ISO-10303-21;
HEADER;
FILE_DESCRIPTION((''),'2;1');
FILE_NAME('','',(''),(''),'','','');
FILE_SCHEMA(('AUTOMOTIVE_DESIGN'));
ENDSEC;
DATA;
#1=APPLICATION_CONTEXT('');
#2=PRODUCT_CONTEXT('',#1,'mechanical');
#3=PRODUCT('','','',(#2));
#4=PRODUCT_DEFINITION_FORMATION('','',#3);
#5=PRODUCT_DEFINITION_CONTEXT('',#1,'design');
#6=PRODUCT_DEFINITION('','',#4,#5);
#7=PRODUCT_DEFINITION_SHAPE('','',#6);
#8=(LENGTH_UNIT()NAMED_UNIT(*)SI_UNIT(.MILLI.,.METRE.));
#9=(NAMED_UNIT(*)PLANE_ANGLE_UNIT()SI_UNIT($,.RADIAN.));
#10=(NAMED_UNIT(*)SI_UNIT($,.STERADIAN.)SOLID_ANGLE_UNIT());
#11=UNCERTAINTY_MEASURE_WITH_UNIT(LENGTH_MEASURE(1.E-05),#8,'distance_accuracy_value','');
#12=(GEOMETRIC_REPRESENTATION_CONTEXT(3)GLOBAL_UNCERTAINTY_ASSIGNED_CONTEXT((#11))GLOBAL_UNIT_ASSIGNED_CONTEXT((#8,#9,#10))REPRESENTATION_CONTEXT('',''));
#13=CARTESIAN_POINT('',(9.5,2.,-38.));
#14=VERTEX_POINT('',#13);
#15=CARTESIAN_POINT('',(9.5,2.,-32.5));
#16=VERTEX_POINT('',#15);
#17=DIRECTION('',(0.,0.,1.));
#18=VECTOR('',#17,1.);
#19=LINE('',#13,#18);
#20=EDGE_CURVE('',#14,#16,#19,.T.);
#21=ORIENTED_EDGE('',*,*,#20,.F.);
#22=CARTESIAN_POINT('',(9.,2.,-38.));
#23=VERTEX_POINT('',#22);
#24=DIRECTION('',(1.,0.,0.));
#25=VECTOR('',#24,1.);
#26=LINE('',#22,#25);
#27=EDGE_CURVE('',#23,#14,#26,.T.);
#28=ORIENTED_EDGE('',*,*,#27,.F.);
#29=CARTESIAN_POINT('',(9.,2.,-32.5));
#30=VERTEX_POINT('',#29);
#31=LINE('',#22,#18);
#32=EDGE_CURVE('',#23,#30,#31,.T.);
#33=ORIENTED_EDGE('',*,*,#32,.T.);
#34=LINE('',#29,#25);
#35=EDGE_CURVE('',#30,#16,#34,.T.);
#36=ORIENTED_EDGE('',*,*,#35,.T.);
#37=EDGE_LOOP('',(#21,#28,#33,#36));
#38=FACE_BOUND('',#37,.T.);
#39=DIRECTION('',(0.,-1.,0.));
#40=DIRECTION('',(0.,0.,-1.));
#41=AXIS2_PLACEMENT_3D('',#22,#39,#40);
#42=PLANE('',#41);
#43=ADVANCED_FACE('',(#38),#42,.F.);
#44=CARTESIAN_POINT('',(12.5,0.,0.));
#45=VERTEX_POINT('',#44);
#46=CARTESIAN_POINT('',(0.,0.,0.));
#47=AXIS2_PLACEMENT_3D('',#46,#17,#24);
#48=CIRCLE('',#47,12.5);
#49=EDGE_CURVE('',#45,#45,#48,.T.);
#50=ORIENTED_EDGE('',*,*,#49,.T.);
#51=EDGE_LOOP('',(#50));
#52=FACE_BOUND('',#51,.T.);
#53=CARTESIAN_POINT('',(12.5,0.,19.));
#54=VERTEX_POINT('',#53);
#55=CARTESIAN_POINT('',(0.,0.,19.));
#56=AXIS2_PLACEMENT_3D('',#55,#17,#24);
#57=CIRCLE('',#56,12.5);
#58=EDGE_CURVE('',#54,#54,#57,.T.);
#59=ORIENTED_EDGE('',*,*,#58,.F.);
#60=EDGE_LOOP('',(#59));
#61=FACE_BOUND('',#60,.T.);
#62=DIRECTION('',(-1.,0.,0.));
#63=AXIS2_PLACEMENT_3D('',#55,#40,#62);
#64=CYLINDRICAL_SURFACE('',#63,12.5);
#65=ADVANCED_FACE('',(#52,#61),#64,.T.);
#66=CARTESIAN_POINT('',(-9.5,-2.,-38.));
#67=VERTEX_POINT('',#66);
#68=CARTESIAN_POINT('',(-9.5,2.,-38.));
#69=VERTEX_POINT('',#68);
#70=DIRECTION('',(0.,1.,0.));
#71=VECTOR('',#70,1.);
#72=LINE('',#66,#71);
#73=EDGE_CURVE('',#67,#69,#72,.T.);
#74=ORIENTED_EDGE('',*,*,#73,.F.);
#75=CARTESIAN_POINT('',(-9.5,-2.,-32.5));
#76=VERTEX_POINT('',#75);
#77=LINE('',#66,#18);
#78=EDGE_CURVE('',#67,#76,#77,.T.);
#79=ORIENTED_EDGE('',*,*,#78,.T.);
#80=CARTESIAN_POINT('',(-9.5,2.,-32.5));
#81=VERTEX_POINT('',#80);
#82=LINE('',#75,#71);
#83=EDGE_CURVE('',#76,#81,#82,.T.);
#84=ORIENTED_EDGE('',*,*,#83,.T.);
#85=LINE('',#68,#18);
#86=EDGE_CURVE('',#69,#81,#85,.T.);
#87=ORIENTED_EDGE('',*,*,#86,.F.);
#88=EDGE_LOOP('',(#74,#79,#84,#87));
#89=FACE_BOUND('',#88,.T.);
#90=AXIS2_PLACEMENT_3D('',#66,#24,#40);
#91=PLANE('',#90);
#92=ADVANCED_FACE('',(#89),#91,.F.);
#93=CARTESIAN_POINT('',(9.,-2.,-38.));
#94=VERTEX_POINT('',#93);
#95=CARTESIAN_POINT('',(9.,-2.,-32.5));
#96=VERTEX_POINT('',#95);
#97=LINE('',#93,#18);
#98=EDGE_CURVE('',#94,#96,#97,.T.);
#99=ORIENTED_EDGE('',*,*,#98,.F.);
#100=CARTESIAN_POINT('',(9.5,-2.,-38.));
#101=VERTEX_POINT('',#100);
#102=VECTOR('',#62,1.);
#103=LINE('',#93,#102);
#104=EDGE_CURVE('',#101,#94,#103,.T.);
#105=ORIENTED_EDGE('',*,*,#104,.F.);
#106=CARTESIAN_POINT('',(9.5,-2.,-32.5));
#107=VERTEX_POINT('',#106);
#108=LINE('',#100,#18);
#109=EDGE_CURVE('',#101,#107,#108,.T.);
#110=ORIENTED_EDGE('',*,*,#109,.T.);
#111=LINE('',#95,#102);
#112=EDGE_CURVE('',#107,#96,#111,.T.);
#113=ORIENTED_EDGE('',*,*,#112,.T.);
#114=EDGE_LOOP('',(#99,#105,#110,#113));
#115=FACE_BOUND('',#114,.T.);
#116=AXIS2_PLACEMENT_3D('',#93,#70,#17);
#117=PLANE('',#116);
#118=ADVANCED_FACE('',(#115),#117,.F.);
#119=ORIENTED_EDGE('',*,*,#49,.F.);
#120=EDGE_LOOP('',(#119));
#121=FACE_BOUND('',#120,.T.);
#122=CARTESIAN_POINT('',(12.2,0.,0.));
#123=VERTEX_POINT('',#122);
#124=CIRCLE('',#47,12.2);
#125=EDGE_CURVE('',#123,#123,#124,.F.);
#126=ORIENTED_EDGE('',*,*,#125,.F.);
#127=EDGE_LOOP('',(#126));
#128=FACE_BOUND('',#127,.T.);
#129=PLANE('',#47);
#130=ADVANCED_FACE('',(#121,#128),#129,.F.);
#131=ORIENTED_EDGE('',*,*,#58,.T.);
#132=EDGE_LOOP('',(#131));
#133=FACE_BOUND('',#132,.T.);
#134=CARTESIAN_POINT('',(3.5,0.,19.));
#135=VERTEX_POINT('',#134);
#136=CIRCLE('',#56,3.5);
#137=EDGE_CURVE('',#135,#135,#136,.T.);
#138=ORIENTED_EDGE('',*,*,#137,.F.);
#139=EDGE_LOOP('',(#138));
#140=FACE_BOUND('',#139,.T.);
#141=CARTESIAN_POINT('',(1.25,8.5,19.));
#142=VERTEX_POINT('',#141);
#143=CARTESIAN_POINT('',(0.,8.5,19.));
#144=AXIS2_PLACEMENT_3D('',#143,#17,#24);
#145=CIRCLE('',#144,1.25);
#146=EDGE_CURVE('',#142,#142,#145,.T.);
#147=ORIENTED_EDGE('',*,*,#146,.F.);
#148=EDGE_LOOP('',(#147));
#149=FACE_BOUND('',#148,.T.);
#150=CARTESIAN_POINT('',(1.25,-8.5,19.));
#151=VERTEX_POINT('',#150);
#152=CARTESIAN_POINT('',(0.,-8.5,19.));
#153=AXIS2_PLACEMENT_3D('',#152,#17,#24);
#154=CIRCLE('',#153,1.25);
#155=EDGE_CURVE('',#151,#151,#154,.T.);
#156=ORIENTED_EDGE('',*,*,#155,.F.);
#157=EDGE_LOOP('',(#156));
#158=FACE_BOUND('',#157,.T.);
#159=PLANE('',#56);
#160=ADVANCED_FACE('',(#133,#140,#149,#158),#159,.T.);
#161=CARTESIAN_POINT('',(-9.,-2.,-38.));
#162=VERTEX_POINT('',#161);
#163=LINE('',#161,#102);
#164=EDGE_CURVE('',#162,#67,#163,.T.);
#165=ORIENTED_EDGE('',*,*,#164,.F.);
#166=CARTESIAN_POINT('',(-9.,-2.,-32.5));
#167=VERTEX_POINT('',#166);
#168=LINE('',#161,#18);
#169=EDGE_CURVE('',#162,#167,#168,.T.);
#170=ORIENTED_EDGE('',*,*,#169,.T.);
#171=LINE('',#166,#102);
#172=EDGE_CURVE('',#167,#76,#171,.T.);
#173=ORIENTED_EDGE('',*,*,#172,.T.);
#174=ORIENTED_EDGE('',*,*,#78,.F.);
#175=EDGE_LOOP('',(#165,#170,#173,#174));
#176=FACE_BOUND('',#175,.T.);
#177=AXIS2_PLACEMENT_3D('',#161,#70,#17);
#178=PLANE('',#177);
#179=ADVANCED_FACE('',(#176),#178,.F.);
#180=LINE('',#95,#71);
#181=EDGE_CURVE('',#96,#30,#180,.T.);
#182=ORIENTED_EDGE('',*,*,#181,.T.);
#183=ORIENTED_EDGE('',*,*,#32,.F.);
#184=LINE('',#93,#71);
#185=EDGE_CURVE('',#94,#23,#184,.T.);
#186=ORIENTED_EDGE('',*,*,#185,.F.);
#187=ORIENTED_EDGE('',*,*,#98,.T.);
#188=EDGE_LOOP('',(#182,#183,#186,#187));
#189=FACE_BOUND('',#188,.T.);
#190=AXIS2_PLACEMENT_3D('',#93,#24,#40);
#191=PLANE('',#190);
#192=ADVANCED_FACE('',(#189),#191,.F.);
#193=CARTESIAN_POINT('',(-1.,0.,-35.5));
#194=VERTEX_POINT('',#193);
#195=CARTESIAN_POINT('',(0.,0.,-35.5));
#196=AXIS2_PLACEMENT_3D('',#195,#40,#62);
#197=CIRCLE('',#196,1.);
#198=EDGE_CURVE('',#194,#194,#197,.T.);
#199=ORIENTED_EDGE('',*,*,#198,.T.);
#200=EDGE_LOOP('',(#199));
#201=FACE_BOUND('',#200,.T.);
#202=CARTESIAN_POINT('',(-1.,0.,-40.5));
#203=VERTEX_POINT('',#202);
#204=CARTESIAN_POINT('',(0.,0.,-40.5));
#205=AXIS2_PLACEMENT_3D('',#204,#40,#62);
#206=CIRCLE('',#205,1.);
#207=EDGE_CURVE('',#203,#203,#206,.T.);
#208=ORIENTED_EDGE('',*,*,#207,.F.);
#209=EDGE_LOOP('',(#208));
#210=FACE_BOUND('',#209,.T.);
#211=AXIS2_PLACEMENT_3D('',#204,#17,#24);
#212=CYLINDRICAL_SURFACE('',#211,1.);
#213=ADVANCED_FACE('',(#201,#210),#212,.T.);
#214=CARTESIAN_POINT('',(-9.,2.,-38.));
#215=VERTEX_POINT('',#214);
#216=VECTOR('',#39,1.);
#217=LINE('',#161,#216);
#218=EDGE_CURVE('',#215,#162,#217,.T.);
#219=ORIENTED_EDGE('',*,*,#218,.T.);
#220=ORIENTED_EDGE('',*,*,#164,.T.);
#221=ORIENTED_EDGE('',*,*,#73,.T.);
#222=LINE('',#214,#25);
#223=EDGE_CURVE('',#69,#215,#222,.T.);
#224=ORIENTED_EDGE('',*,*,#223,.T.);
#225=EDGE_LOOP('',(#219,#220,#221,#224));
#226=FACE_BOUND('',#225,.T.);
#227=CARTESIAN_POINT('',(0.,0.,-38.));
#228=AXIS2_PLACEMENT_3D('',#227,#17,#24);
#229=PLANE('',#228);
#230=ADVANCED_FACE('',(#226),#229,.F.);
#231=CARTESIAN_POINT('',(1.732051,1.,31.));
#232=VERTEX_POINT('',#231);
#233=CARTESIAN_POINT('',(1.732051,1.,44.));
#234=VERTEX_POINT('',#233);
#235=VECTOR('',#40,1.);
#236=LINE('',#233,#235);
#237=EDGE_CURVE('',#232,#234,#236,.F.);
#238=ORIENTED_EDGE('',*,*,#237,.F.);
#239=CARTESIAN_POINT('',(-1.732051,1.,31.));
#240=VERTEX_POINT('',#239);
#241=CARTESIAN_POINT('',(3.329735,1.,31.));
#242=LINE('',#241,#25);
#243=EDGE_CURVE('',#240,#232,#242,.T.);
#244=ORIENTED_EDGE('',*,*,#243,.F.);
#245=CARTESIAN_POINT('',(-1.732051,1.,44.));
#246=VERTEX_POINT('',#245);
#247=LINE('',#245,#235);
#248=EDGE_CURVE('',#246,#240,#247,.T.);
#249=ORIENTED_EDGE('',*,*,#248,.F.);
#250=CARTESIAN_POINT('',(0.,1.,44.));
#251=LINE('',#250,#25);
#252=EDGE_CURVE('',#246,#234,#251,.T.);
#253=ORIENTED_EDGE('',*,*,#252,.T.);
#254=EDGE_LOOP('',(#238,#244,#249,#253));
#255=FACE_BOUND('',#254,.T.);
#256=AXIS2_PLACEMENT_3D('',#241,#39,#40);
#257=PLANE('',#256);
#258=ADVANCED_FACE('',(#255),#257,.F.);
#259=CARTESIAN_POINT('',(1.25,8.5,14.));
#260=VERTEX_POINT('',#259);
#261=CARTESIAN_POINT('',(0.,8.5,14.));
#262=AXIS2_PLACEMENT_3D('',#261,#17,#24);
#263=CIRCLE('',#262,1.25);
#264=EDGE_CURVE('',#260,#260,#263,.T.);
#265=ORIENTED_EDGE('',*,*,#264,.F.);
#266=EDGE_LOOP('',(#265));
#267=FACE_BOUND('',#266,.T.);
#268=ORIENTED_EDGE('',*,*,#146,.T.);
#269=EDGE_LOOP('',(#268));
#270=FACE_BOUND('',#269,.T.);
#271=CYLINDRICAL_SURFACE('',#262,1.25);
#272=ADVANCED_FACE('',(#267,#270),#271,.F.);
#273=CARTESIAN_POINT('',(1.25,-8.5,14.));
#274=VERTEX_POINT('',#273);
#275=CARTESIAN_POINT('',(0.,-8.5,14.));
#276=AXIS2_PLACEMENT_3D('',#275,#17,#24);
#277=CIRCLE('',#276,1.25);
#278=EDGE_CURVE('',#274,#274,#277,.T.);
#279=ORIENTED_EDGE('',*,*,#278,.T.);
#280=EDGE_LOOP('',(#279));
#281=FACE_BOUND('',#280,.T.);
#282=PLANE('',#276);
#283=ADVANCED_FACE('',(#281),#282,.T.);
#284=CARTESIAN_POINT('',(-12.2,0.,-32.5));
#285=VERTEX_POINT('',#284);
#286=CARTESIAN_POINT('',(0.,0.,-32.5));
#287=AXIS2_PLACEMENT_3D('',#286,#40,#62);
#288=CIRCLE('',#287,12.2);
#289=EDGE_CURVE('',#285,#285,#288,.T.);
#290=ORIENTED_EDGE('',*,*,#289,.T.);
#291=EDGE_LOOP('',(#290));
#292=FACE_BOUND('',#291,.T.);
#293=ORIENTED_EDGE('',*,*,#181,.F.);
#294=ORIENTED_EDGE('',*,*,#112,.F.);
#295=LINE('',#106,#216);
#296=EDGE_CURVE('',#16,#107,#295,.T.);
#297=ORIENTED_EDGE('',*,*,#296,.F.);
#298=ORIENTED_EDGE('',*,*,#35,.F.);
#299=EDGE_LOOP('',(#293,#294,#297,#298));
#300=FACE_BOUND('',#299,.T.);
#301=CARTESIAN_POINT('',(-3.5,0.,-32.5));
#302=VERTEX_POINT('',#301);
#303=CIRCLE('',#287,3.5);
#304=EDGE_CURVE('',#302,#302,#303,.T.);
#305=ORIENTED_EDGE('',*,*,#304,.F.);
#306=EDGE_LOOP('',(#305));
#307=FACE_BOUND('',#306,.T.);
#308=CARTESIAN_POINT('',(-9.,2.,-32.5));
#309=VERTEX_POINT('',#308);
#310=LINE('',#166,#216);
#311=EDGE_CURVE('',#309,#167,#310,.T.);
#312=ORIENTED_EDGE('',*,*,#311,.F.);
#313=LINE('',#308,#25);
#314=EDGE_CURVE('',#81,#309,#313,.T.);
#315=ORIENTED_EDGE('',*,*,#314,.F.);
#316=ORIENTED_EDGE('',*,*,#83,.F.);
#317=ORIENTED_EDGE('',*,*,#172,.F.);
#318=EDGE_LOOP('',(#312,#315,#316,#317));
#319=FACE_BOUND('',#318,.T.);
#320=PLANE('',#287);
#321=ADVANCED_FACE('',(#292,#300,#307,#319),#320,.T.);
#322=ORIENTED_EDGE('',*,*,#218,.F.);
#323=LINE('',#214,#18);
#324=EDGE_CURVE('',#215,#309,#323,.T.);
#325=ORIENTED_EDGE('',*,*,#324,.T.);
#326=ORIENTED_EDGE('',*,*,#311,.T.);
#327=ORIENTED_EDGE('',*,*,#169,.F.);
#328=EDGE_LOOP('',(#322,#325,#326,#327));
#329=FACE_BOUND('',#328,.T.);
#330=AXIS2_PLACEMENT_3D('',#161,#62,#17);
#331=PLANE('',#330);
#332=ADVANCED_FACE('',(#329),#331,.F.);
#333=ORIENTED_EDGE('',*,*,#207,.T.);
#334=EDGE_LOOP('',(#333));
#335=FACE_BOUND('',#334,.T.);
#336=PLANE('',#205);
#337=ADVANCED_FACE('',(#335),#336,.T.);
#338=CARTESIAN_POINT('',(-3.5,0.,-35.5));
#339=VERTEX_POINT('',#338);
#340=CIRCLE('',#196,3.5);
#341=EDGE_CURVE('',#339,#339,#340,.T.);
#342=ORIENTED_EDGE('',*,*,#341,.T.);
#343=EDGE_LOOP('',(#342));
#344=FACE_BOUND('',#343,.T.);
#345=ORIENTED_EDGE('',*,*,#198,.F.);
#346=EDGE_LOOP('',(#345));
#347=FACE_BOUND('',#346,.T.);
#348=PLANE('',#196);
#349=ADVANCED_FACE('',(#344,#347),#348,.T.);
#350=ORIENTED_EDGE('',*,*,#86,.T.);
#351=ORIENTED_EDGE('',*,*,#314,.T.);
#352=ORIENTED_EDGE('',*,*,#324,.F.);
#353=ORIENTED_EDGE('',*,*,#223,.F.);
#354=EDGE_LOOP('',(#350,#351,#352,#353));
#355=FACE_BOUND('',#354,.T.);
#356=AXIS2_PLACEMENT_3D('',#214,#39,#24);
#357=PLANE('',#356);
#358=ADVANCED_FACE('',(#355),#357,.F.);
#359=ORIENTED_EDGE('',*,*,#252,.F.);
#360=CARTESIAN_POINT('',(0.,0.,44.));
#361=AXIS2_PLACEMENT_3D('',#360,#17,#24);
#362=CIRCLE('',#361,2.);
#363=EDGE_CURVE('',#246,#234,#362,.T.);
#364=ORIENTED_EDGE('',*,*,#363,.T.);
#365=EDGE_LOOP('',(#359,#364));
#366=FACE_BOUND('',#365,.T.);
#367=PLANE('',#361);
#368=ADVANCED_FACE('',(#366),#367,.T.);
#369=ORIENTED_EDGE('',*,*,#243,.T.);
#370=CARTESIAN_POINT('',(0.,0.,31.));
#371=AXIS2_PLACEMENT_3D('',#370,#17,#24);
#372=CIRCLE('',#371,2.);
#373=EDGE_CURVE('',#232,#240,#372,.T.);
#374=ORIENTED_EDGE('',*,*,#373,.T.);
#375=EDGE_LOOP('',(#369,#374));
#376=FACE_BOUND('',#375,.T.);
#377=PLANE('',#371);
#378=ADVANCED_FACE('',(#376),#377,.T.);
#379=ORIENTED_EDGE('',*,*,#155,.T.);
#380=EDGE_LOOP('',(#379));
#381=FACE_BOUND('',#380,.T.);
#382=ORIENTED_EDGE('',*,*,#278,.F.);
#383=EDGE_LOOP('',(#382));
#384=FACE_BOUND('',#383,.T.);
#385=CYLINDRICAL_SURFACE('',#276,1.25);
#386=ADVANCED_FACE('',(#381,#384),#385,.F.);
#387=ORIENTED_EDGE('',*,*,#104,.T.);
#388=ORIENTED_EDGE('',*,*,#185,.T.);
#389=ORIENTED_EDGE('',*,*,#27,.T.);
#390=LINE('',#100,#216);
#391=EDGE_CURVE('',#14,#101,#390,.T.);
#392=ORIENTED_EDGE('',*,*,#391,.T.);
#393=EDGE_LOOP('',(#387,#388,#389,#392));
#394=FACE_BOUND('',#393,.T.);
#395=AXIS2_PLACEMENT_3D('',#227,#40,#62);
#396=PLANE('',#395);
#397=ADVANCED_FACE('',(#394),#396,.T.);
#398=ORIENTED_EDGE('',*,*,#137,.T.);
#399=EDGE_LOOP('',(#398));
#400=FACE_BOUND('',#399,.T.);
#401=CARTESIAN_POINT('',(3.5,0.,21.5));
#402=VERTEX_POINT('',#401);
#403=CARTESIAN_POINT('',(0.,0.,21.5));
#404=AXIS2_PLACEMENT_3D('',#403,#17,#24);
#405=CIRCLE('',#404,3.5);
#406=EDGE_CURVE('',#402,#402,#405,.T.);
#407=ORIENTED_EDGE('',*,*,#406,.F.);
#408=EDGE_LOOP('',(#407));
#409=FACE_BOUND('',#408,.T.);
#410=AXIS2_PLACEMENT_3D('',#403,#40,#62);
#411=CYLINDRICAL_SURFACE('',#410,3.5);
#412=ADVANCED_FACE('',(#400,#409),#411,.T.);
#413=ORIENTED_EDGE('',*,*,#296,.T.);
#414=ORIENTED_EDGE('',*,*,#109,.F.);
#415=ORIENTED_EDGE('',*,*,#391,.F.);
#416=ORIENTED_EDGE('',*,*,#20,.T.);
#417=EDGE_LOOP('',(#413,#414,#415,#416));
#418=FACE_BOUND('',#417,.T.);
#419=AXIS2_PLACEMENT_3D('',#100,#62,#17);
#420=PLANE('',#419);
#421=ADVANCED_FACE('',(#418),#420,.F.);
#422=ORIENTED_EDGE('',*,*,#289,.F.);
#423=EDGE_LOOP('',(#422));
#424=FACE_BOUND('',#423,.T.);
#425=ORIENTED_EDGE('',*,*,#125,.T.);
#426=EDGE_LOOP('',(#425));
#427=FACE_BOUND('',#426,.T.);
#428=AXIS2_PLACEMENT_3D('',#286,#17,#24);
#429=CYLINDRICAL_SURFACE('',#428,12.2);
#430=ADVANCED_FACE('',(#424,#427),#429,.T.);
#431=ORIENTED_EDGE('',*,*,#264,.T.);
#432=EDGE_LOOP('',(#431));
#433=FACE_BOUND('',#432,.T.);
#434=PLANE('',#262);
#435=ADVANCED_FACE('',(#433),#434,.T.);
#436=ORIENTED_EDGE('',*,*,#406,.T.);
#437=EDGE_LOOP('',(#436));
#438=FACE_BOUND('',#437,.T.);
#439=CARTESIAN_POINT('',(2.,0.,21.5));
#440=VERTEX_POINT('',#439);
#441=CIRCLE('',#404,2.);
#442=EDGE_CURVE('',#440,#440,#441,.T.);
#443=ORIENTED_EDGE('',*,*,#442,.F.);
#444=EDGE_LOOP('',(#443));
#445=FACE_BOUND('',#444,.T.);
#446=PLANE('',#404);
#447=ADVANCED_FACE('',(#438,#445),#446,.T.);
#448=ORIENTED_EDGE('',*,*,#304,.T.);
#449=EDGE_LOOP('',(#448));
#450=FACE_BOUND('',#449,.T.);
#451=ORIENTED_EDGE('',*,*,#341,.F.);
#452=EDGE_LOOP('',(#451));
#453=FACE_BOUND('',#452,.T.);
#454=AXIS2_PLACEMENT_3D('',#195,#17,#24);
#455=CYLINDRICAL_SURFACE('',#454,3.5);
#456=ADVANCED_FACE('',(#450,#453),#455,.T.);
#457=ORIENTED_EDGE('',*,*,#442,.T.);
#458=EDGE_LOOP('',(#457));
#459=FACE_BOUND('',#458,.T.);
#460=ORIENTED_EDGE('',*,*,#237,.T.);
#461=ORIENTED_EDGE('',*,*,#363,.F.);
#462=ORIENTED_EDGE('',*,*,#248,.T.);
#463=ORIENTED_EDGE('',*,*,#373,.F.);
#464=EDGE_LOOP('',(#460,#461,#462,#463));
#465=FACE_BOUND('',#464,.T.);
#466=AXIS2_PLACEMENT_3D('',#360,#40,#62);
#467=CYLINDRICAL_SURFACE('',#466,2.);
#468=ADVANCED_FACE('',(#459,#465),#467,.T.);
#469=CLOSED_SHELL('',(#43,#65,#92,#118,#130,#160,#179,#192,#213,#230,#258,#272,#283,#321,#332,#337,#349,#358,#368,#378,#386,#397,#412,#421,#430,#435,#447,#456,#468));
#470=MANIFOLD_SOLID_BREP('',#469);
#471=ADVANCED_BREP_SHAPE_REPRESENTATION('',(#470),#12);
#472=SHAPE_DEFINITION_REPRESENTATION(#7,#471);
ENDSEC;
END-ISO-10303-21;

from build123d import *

# Parameters (mm, degrees)
SKETCH_1_R          = 12.5
EXTRUDE_1_DEPTH     = 19
SKETCH_2_R          = 3.5
EXTRUDE_2_DEPTH     = 2.5
SKETCH_3_R          = 2
EXTRUDE_3_DEPTH     = 22.5
SKETCH_4_W          = 6.562487183
SKETCH_4_H          = 1.182107807
CUT_EXTRUDE_1_DEPTH = 13
SKETCH_5_R          = 12.2
EXTRUDE_5_DEPTH     = 32.5
SKETCH_6_R          = 3.5
EXTRUDE_6_DEPTH     = 3
SKETCH_7_R          = 1
EXTRUDE_7_DEPTH     = 5
SKETCH_8_R          = 1.25
CUT_EXTRUDE_2_DEPTH = 5
SKETCH_9_W          = 0.5
SKETCH_9_H          = 4
EXTRUDE_8_DEPTH     = 5.5


with BuildPart() as part:
    # 스케치1 → 보스-돌출1 (new body)
    with BuildSketch(Plane.XY):
        Circle(SKETCH_1_R)
    extrude(amount=EXTRUDE_1_DEPTH)

    # 스케치2 → 보스-돌출2 (add)
    with BuildSketch(Plane.XY.offset(19)):
        Circle(SKETCH_2_R)
    extrude(amount=EXTRUDE_2_DEPTH)

    # 스케치3 → 보스-돌출3 (add)
    with BuildSketch(Plane.XY.offset(21.5)):
        Circle(SKETCH_3_R)
    extrude(amount=EXTRUDE_3_DEPTH)

    # 스케치4 → 컷-돌출1 (cut)
    with BuildSketch(Plane.XY.offset(44)):
        with Locations((0.048491285, 1.591053903)):
            Rectangle(SKETCH_4_W, SKETCH_4_H)
    extrude(amount=-CUT_EXTRUDE_1_DEPTH, mode=Mode.SUBTRACT)

    # 스케치5 → 보스-돌출5 (add)
    with BuildSketch(Plane(origin=(0, 0, 0), x_dir=(-1, 0, 0), z_dir=(0, 0, -1))):
        Circle(SKETCH_5_R)
    extrude(amount=EXTRUDE_5_DEPTH)

    # 스케치6 → 보스-돌출6 (add)
    with BuildSketch(Plane(origin=(0, 0, -32.5), x_dir=(-1, 0, 0), z_dir=(0, 0, -1))):
        Circle(SKETCH_6_R)
    extrude(amount=EXTRUDE_6_DEPTH)

    # 스케치7 → 보스-돌출7 (add)
    with BuildSketch(Plane(origin=(0, 0, -35.5), x_dir=(-1, 0, 0), z_dir=(0, 0, -1))):
        Circle(SKETCH_7_R)
    extrude(amount=EXTRUDE_7_DEPTH)

    # 스케치8 → 컷-돌출2 (cut)
    with BuildSketch(Plane.XY.offset(19)):
        with Locations((0, 8.5)):
            Circle(SKETCH_8_R)
        with Locations((0, -8.5)):
            Circle(SKETCH_8_R)
    extrude(amount=-CUT_EXTRUDE_2_DEPTH, mode=Mode.SUBTRACT)

    # 스케치9 → 보스-돌출8 (add)
    with BuildSketch(Plane(origin=(0, 0, -32.5), x_dir=(-1, 0, 0), z_dir=(0, 0, -1))):
        with Locations((-9.25, 0)):
            Rectangle(SKETCH_9_W, SKETCH_9_H)
        with Locations((9.25, 0)):
            Rectangle(SKETCH_9_W, SKETCH_9_H)
    extrude(amount=EXTRUDE_8_DEPTH)


solid = part.part
